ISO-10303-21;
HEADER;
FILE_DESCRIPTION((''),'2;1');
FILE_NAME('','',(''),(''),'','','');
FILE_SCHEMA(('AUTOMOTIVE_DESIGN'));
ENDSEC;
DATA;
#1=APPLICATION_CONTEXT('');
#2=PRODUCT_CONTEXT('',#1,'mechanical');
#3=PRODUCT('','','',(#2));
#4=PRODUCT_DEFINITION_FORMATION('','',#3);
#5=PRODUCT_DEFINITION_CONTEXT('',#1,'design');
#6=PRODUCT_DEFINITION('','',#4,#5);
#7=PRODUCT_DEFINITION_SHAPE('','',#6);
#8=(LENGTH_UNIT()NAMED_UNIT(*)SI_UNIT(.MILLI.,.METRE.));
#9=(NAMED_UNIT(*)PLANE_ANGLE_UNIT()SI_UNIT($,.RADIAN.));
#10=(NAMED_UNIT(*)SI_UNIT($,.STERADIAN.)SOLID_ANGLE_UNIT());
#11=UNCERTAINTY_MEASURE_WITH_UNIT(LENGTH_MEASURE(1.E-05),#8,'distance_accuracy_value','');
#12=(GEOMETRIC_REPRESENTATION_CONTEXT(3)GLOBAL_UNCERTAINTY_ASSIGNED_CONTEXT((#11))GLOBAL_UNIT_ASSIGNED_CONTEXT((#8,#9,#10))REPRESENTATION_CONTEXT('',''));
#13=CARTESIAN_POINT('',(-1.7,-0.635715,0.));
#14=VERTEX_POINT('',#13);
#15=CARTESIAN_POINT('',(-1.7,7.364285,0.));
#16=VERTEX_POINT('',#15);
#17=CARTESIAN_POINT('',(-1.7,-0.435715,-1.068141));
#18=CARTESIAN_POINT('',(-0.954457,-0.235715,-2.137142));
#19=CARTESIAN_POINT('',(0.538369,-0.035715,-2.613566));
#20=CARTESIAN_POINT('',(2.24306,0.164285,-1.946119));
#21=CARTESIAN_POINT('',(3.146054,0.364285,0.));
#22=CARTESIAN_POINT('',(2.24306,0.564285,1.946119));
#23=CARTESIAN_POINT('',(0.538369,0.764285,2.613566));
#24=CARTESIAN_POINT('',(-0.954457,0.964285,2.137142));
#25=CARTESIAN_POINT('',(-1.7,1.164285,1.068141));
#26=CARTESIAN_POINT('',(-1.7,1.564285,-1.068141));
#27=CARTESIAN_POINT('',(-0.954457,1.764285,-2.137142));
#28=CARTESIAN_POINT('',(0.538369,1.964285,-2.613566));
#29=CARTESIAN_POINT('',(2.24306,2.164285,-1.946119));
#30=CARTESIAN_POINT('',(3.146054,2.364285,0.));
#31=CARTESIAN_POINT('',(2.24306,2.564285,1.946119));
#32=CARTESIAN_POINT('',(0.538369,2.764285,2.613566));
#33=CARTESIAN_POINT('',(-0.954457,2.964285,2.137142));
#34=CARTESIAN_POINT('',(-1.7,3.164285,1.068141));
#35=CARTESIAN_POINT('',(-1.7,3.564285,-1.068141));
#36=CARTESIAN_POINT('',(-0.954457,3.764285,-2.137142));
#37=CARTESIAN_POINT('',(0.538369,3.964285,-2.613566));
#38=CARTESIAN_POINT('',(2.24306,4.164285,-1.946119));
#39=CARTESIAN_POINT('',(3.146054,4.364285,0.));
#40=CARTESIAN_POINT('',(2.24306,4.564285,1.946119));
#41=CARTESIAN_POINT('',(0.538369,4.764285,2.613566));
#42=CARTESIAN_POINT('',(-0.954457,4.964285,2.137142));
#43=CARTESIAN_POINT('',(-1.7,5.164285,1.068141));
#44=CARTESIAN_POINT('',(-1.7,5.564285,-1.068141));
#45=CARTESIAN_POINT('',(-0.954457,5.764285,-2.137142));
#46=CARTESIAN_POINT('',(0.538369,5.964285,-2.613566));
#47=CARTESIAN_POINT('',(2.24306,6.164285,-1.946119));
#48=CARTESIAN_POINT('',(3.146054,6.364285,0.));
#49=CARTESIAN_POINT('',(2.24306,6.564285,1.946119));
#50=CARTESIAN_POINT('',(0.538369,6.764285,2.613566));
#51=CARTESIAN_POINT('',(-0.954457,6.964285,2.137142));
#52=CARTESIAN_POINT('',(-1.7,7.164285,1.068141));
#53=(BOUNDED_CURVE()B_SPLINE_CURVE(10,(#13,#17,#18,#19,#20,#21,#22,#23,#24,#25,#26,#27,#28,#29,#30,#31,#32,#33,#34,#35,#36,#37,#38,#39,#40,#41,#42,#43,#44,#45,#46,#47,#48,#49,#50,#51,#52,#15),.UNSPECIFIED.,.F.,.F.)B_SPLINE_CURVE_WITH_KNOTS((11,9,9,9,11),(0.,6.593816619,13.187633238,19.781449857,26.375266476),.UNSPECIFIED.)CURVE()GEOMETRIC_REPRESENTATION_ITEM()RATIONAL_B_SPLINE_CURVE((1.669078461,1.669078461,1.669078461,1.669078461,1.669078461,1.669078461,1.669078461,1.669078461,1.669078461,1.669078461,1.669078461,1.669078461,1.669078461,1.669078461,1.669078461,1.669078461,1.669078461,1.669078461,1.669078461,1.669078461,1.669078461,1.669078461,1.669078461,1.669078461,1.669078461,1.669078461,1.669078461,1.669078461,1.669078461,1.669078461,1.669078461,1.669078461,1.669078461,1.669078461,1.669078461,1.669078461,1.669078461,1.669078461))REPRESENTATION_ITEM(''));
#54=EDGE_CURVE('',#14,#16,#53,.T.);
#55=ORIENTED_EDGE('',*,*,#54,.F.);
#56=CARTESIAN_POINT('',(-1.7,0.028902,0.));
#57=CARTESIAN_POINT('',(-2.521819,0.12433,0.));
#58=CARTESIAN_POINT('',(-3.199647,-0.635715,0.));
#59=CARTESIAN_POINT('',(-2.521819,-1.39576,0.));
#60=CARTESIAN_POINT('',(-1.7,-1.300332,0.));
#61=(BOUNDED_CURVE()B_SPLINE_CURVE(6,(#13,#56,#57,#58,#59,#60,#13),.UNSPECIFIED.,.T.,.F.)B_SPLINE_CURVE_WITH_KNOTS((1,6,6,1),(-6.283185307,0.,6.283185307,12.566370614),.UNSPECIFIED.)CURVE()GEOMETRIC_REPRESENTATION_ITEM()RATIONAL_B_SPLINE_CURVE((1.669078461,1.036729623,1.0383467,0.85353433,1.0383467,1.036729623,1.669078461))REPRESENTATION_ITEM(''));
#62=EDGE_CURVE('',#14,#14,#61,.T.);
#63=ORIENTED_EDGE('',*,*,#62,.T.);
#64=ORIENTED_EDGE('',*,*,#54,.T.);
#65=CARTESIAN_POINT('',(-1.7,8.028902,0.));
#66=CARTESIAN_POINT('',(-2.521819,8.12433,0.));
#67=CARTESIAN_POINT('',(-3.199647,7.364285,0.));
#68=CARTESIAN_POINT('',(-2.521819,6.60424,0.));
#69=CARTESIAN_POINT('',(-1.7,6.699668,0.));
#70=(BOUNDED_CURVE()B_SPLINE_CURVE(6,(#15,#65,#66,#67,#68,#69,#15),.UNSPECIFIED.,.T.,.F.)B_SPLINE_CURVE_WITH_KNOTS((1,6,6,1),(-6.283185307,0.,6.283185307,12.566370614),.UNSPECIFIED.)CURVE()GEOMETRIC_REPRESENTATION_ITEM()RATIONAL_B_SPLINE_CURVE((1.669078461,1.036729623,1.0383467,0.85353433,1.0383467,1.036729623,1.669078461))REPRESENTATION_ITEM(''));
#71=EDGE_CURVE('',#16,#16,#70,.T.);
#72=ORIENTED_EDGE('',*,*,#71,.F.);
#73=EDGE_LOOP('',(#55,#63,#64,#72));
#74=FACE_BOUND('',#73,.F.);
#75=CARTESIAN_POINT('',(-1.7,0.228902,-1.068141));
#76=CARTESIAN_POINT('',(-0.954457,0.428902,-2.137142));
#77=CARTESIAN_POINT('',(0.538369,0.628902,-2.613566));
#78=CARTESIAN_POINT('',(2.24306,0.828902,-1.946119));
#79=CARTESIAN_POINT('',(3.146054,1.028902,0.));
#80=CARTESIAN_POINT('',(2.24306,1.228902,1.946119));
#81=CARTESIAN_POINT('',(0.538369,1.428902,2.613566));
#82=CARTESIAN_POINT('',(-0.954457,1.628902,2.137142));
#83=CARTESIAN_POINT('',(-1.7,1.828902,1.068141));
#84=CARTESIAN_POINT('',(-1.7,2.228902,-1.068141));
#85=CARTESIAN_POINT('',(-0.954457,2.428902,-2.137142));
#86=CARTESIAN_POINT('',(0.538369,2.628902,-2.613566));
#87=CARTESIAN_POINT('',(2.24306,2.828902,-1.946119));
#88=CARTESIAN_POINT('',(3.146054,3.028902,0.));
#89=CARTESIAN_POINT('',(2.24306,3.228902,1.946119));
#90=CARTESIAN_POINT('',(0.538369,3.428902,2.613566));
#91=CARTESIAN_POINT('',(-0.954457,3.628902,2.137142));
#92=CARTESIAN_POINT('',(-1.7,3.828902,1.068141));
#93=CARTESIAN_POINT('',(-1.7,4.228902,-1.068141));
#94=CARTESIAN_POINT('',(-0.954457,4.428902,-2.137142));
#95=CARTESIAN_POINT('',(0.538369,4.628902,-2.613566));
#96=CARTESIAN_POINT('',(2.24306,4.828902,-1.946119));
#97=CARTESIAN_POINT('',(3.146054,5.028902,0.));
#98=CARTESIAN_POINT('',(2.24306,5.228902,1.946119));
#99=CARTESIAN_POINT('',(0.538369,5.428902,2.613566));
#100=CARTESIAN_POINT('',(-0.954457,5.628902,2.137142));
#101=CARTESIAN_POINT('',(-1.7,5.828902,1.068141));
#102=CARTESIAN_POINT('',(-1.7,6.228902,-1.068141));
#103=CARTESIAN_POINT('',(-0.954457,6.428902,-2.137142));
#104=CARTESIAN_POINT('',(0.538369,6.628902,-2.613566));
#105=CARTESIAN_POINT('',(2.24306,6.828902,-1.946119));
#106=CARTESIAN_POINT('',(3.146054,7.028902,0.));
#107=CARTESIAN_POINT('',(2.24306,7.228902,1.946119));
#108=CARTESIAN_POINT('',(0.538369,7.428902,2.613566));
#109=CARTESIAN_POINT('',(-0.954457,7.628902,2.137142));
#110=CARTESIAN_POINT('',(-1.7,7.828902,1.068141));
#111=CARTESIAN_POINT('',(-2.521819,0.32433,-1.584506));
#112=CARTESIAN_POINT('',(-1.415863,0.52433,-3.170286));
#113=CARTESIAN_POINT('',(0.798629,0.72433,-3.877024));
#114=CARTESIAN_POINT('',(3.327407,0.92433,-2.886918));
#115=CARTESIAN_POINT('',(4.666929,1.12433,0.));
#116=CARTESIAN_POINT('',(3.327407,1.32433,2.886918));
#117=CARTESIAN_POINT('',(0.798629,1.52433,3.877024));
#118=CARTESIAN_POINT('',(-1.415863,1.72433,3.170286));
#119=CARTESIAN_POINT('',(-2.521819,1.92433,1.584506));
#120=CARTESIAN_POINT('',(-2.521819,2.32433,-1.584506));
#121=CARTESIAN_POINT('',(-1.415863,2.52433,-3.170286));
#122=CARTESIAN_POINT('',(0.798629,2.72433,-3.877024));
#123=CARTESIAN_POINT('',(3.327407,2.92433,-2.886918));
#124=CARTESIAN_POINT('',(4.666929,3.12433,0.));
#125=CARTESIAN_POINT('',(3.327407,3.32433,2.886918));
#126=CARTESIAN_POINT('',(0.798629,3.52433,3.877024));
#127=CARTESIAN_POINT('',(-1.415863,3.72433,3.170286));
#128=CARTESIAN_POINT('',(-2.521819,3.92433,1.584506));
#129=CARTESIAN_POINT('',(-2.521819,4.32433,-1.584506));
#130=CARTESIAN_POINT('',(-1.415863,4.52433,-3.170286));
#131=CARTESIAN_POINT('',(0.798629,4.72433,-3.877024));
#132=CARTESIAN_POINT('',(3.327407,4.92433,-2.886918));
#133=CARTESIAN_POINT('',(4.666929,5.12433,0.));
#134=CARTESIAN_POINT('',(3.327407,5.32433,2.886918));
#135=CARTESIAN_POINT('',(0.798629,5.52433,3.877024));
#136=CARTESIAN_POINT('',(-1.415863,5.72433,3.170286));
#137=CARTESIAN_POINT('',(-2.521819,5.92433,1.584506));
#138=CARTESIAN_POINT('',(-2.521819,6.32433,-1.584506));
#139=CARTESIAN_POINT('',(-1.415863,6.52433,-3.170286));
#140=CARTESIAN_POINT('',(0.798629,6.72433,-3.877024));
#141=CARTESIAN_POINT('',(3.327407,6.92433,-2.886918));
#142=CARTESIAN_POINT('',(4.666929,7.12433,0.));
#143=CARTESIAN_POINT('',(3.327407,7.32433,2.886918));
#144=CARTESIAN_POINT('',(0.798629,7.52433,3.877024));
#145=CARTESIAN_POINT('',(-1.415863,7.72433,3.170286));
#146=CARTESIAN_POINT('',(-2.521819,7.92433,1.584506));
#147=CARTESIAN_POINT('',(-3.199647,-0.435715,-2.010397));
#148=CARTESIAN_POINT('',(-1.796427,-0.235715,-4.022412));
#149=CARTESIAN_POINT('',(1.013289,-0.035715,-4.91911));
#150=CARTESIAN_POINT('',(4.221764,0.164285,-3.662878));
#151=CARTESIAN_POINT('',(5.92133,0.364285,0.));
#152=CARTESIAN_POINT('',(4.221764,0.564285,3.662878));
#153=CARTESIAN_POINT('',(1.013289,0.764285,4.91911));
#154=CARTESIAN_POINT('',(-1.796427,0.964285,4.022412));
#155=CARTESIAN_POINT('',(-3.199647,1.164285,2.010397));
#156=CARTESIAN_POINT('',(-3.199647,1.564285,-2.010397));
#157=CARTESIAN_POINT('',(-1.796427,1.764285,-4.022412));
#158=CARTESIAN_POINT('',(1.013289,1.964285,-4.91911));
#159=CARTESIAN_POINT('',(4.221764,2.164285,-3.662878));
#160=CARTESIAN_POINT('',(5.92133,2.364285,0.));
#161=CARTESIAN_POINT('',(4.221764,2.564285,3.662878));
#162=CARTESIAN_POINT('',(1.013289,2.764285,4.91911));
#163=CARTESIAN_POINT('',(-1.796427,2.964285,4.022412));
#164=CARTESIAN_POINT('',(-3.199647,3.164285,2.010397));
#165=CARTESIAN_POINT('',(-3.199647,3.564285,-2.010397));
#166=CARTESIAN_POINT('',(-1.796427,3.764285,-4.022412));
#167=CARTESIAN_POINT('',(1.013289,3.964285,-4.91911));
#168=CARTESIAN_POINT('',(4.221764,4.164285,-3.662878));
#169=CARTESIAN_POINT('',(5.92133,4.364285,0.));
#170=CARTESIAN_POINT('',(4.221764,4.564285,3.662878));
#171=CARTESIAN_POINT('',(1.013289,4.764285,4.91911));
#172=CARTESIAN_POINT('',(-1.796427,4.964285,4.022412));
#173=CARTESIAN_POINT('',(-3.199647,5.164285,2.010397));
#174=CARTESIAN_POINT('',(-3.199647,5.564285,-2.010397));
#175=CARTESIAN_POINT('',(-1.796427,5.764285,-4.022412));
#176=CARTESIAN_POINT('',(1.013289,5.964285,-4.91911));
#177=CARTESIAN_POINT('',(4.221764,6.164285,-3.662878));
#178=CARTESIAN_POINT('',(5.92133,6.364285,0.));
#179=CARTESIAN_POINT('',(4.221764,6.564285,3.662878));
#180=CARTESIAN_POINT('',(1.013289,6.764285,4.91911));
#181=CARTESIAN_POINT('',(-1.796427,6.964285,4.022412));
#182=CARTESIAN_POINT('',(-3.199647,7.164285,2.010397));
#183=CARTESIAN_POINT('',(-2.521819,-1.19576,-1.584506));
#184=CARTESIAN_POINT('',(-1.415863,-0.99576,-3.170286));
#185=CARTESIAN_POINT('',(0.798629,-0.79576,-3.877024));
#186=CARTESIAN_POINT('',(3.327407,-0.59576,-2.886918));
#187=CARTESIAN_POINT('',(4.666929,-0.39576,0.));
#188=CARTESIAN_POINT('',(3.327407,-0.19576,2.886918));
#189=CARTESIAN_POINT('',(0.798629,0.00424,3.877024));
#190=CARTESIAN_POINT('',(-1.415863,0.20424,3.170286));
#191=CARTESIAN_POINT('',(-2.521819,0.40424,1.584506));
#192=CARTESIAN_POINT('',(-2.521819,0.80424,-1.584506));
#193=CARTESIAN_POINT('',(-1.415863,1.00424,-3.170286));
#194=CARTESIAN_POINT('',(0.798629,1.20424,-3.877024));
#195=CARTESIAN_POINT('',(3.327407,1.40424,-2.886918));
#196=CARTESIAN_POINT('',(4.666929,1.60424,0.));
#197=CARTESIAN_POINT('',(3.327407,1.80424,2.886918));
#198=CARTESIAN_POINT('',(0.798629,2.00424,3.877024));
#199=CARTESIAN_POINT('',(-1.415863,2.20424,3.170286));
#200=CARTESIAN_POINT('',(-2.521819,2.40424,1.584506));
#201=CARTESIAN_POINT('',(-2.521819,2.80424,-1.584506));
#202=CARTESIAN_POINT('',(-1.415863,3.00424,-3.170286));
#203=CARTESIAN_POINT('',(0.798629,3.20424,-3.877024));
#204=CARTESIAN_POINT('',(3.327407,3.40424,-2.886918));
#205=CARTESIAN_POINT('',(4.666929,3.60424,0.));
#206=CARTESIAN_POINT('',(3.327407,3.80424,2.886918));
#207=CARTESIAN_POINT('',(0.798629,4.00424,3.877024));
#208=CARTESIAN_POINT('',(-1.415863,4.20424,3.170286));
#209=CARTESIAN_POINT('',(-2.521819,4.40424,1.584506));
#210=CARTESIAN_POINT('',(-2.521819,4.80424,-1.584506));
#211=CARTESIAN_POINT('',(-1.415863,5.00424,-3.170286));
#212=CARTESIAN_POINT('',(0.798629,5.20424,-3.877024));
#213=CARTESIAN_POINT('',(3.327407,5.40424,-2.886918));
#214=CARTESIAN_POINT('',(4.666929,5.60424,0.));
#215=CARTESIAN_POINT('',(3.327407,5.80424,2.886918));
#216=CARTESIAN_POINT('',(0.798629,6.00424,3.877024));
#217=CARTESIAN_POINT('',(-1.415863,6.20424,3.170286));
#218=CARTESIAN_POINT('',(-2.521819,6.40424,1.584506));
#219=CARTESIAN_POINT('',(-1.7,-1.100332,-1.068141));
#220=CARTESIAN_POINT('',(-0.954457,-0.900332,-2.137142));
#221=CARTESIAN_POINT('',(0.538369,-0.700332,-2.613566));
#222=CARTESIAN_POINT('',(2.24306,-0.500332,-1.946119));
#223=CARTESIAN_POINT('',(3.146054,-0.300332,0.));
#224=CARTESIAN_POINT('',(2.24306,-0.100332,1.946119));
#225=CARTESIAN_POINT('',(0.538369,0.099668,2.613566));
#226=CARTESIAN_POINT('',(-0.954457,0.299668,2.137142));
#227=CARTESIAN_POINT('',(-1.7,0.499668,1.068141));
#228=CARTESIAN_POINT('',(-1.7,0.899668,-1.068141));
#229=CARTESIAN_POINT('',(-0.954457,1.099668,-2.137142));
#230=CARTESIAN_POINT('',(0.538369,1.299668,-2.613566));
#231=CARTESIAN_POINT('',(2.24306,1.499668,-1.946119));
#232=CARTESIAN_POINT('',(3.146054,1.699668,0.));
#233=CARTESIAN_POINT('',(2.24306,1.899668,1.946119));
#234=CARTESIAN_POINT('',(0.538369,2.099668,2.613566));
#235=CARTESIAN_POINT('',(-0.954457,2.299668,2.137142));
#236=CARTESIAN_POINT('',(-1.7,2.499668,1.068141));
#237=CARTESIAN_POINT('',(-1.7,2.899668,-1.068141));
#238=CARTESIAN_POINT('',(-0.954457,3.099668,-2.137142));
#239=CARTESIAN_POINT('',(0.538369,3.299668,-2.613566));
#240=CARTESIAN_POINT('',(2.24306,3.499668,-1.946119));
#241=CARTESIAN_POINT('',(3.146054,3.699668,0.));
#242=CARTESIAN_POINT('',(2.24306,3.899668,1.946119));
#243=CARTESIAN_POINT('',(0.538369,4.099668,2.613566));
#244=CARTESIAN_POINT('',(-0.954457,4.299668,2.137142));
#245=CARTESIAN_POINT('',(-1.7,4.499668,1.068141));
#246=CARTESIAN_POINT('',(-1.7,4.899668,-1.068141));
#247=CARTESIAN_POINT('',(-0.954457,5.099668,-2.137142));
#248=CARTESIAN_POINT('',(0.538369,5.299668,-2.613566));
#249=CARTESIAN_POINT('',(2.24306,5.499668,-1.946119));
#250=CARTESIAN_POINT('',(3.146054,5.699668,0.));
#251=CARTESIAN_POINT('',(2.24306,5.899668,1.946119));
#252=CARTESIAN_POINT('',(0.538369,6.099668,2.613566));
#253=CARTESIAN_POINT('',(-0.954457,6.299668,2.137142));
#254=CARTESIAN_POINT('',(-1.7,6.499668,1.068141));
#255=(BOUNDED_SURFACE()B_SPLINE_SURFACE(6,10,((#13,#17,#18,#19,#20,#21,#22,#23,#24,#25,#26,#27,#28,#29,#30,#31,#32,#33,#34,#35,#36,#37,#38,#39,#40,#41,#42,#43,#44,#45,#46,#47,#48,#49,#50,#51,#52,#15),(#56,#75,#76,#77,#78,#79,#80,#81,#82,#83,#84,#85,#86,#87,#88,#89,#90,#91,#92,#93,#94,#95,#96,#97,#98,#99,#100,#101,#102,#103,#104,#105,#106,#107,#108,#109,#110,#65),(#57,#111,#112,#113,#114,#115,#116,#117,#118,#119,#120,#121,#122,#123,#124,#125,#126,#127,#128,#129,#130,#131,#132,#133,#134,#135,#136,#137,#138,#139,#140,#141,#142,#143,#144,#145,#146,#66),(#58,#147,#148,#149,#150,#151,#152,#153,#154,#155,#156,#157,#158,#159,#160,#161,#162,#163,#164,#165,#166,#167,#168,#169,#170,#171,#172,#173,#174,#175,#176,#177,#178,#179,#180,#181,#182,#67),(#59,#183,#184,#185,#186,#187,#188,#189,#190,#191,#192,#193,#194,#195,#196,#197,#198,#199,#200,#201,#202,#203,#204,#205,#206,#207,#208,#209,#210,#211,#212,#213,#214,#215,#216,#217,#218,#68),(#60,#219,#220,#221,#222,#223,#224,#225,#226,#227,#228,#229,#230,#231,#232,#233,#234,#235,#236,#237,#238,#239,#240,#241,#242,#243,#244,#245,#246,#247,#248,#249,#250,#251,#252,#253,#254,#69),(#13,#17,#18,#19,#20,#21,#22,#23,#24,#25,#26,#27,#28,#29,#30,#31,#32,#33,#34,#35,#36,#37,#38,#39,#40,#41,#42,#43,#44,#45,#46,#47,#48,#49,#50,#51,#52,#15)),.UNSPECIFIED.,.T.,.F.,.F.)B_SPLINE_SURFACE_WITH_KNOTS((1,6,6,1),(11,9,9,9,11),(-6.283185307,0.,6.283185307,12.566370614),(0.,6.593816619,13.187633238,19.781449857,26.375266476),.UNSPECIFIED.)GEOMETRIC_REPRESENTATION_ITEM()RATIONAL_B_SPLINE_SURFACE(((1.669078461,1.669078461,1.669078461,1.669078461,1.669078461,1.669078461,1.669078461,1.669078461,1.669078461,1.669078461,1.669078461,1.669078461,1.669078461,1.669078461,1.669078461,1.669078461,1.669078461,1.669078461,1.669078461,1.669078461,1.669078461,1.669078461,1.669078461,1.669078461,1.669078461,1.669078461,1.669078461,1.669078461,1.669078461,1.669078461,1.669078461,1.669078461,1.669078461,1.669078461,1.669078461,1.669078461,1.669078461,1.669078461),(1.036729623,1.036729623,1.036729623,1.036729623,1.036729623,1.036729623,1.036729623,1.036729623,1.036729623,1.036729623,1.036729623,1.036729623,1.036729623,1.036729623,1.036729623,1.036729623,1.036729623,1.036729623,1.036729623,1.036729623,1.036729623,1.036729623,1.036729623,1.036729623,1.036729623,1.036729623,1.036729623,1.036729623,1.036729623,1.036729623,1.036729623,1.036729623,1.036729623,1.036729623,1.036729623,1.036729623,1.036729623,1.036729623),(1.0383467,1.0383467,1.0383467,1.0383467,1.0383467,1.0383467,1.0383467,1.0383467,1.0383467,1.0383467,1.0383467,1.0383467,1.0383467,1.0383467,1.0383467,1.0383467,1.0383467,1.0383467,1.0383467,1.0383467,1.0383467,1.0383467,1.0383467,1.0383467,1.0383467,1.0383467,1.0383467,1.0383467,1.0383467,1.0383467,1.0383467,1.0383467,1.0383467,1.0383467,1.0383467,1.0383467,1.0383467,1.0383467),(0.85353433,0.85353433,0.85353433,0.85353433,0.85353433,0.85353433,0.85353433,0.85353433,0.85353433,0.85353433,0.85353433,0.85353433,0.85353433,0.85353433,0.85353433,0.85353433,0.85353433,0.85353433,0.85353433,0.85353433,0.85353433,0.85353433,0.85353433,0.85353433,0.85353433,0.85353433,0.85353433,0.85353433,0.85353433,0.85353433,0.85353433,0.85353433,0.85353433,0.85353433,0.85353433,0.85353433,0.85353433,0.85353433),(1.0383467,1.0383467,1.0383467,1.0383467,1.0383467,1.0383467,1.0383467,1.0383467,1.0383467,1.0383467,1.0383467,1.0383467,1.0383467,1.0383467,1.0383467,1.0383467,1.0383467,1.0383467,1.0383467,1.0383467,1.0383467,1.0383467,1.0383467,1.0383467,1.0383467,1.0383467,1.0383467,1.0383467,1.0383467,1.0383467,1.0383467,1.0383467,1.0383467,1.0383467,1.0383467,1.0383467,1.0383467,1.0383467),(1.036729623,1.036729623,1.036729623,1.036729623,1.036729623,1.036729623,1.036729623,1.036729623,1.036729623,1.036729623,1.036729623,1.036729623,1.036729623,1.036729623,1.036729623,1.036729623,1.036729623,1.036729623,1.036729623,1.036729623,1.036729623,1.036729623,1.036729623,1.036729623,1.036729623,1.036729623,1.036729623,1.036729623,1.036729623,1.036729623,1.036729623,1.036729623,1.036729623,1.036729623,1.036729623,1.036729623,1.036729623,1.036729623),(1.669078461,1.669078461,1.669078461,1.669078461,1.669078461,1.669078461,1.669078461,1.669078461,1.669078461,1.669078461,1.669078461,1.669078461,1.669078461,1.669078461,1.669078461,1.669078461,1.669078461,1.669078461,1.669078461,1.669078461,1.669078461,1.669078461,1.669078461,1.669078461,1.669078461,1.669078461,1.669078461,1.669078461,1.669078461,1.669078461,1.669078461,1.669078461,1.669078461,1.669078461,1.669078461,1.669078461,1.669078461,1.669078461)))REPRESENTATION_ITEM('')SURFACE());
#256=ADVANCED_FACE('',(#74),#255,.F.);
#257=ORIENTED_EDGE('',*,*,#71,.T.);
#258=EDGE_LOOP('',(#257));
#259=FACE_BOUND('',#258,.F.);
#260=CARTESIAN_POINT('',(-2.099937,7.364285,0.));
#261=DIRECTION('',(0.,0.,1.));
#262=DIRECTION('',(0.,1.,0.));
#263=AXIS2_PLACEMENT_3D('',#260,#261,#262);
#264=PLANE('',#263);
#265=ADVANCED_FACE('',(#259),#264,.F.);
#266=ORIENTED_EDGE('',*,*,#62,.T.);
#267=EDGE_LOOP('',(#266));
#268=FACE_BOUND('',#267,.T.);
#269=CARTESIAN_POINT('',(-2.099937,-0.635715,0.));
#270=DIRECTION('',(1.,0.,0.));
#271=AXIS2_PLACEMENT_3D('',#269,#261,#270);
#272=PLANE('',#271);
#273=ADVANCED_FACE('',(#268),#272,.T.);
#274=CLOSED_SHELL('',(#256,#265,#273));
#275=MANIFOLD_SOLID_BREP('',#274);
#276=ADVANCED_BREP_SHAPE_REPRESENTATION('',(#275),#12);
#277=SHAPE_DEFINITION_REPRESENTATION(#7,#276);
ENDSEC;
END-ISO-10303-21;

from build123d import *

# Parameters (mm, degrees)
SWEEP_1_PITCH       = 2
SWEEP_1_HEIGHT      = 8
SWEEP_1_RADIUS      = 2.75
SWEEP_1_START_ANGLE = -90
SKETCH_2_R          = 0.4


with BuildPart() as part:
    # 扫描1: sweep along a helix
    with BuildLine() as sweep_1_path:
        add(Helix(SWEEP_1_PITCH, SWEEP_1_HEIGHT, SWEEP_1_RADIUS, center=(0, 0, 0), direction=(0, 1, 0), lefthand=True, mode=Mode.PRIVATE).rotate(Axis((0, 0, 0), (0, 1, 0)), SWEEP_1_START_ANGLE))
    # 草图2 → 扫描1 (sweep)
    with BuildSketch(Plane.XY):
        with Locations((-2.1, 7.364285095)):
            Circle(SKETCH_2_R)
    sweep(path=sweep_1_path.line, is_frenet=True)


solid = part.part
